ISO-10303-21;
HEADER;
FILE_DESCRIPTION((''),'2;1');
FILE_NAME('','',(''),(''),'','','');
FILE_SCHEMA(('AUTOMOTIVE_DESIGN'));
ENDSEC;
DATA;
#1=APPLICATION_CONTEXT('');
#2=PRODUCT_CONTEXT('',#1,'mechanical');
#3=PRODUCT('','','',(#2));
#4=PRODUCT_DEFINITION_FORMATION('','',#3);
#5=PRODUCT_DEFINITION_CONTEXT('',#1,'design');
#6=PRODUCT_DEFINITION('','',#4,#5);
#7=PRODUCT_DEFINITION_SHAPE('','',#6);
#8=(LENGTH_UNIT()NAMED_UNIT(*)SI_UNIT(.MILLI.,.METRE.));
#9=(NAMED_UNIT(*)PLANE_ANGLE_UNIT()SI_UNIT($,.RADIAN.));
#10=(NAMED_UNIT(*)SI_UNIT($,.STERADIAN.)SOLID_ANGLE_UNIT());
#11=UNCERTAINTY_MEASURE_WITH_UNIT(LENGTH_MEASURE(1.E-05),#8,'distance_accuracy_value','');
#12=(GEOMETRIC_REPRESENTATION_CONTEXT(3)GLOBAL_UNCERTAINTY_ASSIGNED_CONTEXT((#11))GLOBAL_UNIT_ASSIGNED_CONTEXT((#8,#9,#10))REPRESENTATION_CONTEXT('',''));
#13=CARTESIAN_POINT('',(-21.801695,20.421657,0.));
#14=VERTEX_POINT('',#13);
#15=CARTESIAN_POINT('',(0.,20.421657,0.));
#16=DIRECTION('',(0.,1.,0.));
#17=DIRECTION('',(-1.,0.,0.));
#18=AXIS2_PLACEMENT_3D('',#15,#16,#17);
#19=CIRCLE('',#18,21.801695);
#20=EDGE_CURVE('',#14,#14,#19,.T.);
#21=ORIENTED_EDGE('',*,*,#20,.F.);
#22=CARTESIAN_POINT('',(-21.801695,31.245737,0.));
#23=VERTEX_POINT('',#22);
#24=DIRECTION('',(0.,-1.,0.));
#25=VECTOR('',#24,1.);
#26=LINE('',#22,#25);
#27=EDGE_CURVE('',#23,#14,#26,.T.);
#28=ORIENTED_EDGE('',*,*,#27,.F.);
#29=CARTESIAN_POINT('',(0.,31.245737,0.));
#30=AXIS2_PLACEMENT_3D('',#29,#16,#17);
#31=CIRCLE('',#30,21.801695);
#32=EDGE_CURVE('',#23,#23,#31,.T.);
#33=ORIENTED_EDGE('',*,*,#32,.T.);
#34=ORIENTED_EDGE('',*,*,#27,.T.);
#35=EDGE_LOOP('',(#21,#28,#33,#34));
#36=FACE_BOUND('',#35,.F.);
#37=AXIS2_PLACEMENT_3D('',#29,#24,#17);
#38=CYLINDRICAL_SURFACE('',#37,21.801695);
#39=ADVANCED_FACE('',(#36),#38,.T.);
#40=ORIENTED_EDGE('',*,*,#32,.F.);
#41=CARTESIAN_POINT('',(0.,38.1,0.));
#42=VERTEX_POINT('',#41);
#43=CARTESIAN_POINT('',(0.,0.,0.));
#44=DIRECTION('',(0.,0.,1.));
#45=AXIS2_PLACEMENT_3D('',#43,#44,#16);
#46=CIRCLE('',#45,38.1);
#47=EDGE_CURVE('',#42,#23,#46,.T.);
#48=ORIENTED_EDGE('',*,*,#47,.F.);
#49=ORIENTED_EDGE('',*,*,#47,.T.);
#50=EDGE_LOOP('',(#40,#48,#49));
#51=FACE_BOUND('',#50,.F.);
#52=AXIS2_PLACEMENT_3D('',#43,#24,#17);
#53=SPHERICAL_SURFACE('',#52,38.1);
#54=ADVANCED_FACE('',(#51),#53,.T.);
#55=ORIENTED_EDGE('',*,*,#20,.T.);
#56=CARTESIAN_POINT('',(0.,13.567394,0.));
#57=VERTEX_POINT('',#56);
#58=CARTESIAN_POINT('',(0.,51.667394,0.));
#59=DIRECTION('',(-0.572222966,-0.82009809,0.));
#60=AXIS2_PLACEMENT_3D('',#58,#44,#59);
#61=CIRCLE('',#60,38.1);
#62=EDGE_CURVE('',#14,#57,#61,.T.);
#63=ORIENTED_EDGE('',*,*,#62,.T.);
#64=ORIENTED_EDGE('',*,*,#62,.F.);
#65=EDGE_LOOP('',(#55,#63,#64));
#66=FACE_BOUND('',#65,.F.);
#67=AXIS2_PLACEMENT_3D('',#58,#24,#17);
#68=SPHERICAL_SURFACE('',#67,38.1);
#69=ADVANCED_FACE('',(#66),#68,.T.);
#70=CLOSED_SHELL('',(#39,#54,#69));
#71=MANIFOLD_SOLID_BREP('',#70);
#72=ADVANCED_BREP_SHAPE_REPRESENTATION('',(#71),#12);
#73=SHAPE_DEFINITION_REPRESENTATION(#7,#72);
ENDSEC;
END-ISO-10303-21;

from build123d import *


with BuildPart() as f1:
    # F0 (on Top) → F1 (revolve)
    with BuildSketch(Plane.XY):
        with BuildLine():
            ThreePointArc((0, 38.1), (-11.4268852189, 36.3460629807), (-21.8016950046, 31.2457372281))
            Line((-21.8016950046, 31.2457372281), (-21.8016950046, 20.4216570565))
            ThreePointArc((-21.8016950046, 20.4216570565), (-11.4268852189, 15.321331304), (0, 13.5673942846))
            Line((0, 13.5673942846), (0, 38.1))
        make_face()
    revolve(axis=Axis((0, 25.8336971423, 0), (0, 1, 0)))


solid = f1.part
